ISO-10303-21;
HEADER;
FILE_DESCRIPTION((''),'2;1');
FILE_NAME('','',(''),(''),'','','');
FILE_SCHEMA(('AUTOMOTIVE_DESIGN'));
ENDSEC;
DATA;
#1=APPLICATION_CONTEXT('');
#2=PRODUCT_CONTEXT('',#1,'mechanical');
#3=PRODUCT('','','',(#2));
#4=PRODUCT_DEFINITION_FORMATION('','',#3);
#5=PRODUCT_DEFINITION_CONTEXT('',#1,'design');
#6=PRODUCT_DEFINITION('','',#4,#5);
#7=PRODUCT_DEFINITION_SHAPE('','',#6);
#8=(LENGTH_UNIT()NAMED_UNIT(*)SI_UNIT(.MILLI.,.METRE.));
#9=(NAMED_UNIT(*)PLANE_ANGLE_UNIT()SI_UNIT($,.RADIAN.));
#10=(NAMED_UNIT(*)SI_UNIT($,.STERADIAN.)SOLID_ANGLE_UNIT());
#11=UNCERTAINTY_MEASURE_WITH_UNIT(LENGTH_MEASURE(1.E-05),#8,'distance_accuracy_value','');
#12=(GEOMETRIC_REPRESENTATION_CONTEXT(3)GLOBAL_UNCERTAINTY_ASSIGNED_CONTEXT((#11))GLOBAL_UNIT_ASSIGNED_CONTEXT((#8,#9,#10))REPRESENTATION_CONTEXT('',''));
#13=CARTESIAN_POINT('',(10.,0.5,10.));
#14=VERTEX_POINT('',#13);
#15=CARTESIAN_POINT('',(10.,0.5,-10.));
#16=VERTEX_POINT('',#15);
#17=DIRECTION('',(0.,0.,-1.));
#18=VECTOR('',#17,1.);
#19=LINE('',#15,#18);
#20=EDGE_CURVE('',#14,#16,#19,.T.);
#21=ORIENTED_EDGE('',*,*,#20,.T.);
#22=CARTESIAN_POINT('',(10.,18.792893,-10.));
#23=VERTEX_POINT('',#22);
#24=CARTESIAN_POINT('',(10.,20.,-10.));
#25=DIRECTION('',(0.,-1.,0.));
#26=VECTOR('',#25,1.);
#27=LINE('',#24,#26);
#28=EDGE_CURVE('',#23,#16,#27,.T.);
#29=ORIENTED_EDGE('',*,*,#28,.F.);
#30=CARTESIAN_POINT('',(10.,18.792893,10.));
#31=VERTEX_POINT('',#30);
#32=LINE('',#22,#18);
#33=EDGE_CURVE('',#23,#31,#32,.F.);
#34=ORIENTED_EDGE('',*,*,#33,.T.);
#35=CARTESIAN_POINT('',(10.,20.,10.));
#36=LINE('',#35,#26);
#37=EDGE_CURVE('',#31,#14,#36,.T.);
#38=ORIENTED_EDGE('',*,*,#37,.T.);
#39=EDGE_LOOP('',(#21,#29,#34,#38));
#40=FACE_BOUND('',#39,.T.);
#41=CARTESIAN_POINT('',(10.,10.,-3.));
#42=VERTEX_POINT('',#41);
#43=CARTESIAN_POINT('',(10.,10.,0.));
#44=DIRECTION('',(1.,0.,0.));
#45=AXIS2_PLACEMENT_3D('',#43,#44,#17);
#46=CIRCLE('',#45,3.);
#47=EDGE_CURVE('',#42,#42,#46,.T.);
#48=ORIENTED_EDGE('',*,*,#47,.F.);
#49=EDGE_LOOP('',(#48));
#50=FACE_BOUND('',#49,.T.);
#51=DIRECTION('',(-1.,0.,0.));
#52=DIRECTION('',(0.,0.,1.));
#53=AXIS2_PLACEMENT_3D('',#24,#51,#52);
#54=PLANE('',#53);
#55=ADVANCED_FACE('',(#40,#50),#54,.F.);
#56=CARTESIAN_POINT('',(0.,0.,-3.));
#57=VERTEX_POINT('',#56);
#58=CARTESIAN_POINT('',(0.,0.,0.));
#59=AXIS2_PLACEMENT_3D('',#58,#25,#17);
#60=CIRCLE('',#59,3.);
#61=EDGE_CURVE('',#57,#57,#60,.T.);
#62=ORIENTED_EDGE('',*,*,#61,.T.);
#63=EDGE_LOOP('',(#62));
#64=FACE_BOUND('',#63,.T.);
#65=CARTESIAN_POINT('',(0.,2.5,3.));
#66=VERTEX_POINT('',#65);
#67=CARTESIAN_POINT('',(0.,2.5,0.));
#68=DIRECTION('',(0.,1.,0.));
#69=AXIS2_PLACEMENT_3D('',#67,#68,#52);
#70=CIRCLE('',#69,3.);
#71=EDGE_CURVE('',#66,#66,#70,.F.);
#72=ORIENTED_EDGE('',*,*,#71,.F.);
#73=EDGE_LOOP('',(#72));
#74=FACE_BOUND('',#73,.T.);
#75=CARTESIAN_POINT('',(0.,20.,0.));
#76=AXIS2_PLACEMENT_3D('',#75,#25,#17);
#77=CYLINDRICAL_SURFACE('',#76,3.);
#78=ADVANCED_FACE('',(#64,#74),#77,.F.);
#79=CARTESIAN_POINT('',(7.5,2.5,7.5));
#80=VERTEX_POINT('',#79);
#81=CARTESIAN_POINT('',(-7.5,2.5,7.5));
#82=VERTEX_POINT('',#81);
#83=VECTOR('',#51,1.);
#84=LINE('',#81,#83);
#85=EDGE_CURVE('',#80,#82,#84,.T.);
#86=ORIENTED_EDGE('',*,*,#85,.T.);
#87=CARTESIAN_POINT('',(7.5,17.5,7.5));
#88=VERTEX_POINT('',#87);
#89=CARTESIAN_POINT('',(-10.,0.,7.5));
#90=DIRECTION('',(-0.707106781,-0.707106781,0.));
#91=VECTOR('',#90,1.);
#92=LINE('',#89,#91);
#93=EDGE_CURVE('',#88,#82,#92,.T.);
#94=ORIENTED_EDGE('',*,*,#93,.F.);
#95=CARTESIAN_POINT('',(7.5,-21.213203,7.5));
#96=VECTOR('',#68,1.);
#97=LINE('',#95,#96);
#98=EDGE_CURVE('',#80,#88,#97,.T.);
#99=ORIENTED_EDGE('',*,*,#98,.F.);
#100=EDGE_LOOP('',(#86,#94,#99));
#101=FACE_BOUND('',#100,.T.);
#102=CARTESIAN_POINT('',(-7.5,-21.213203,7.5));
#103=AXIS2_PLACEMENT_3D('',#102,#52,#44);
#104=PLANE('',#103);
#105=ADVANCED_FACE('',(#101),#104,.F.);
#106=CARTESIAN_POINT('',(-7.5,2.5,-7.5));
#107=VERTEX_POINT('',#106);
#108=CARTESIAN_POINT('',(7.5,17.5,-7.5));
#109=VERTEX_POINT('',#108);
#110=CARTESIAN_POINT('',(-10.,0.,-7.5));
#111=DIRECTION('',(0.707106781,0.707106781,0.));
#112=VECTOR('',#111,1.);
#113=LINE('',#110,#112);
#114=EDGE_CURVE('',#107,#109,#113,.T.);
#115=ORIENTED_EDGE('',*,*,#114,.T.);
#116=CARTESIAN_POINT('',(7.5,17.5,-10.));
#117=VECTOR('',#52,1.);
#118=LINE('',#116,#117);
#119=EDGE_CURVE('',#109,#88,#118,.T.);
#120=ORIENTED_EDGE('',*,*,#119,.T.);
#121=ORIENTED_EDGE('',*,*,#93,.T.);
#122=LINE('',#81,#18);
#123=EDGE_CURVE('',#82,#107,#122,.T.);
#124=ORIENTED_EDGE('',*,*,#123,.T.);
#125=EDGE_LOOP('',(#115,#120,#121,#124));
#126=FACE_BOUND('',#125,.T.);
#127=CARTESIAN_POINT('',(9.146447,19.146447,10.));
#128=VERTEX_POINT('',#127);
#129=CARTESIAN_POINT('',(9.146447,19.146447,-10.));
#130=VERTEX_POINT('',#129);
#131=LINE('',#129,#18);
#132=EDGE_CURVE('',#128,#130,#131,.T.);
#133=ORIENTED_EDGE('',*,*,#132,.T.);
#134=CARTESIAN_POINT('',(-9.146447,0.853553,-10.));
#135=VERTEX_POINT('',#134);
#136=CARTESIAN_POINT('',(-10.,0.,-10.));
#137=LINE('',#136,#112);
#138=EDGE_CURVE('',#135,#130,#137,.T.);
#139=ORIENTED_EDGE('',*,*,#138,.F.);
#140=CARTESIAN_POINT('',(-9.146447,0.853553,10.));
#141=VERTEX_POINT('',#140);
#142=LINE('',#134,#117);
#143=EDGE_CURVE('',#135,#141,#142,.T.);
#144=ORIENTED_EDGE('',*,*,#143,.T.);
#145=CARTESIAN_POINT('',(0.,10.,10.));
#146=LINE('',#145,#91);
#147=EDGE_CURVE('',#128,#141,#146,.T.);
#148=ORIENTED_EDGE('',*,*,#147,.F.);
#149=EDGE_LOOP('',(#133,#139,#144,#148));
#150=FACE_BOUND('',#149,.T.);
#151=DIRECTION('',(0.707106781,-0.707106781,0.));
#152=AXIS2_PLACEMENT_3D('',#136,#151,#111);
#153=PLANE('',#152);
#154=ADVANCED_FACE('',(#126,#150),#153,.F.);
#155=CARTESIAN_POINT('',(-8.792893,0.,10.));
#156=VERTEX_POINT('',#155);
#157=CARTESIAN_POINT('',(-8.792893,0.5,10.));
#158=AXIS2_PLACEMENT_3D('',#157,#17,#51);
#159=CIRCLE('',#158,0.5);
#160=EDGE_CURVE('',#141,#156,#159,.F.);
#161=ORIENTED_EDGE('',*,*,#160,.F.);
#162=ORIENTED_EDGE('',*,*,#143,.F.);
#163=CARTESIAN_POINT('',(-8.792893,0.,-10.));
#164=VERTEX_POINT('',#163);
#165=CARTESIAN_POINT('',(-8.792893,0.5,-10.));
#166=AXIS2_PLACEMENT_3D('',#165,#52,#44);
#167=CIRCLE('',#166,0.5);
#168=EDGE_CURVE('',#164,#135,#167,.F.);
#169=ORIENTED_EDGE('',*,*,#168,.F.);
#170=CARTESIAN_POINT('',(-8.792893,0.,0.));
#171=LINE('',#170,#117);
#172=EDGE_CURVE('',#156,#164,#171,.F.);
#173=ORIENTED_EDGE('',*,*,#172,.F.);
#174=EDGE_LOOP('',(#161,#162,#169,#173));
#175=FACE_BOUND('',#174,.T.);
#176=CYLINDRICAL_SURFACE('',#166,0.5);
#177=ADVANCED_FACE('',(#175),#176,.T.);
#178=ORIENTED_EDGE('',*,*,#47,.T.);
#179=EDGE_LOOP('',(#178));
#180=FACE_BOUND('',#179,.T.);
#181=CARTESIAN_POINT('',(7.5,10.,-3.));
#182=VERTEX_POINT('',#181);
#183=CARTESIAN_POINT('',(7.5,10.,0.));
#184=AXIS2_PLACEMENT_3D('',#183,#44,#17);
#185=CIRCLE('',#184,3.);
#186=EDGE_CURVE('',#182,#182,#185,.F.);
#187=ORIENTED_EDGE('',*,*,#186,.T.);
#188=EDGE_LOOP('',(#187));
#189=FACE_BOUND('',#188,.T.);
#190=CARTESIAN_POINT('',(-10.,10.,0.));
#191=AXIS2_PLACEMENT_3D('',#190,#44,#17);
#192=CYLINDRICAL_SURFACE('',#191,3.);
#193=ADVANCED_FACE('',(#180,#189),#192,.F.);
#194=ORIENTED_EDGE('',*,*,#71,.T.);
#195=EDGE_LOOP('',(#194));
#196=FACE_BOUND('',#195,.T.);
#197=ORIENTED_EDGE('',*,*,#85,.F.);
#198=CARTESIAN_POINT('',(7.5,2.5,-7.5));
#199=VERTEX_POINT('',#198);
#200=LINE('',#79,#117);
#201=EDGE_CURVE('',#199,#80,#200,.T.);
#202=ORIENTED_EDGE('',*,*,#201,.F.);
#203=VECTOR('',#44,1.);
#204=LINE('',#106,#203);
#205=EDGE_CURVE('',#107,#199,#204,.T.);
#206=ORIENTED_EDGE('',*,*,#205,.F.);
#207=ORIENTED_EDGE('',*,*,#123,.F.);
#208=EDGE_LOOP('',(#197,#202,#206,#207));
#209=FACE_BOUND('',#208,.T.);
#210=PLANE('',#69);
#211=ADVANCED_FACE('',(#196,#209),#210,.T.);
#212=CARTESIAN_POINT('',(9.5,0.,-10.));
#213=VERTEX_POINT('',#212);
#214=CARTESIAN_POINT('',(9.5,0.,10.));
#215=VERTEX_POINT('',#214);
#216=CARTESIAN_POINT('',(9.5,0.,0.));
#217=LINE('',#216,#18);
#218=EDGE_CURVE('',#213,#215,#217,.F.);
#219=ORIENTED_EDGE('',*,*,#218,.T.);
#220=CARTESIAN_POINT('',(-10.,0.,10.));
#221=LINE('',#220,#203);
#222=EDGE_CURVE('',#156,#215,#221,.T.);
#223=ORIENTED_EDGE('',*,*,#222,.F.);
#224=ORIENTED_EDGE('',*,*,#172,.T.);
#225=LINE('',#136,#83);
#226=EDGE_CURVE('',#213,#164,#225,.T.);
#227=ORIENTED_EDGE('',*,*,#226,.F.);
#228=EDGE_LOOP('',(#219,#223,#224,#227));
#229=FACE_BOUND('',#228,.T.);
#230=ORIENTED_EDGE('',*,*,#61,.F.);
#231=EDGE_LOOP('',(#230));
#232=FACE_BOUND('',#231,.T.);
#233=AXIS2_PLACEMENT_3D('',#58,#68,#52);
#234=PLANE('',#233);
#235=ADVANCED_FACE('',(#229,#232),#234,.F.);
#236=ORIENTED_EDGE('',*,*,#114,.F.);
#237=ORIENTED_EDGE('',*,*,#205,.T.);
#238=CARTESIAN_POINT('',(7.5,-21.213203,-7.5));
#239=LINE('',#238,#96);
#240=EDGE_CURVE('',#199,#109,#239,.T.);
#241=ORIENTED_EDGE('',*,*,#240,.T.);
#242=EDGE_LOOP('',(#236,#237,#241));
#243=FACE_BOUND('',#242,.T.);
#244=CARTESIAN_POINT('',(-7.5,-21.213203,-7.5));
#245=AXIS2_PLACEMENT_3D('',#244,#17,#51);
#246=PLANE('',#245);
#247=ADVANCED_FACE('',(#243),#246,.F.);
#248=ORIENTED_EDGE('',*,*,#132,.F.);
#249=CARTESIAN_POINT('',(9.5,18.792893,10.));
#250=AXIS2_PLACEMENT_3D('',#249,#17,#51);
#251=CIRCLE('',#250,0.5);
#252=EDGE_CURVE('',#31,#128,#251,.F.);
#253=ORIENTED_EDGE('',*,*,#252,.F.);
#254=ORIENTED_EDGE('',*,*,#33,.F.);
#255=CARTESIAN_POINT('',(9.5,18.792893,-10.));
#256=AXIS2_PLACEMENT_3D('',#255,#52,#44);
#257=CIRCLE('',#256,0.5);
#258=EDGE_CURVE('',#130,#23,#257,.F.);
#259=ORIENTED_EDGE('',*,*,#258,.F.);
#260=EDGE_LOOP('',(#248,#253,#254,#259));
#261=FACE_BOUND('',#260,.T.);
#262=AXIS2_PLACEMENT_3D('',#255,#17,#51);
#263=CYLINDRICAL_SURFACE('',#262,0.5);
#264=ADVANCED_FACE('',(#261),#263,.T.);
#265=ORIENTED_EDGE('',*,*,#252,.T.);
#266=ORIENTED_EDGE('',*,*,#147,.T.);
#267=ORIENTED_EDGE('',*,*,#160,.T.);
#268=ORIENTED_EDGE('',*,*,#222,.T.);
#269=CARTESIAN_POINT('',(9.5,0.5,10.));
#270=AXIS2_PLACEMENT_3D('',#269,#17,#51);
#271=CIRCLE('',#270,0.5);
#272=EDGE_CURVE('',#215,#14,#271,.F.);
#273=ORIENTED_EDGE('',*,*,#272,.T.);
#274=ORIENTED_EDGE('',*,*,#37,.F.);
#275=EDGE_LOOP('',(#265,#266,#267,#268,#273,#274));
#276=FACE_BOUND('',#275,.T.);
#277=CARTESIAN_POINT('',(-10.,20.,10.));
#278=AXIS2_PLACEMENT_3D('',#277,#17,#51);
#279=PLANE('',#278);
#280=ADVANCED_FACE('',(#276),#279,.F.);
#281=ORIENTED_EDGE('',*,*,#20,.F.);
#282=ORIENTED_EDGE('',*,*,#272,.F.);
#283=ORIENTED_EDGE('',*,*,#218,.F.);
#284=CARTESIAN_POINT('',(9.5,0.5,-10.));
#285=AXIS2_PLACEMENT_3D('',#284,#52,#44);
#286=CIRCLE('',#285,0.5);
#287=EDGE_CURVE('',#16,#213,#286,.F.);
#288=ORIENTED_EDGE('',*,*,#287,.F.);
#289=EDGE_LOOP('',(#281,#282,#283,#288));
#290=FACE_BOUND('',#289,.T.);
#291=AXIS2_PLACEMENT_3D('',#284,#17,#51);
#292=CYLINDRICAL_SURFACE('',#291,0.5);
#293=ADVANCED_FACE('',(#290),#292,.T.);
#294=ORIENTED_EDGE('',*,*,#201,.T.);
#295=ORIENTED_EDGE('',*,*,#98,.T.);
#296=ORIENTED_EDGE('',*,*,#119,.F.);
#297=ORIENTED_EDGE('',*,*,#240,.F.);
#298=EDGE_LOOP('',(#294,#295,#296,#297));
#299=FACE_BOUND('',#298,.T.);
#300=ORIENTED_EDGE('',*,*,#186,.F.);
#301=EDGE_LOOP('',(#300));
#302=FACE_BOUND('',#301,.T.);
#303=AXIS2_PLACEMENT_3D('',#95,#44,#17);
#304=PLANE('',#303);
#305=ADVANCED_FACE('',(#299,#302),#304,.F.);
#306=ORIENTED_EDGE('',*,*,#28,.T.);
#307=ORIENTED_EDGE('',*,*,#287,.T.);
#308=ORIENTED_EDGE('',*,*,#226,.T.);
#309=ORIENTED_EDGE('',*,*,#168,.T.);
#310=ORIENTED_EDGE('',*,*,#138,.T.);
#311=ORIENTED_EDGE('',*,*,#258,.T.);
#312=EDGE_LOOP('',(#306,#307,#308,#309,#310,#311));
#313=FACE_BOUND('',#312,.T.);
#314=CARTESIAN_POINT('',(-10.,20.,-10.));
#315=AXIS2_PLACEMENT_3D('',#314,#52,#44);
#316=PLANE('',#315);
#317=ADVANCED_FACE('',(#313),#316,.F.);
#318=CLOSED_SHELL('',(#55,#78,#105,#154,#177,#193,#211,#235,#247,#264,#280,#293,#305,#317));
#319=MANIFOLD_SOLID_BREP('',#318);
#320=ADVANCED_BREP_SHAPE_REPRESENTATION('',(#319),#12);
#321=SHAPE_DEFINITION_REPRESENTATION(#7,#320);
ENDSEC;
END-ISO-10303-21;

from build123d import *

# Parameters (mm, degrees)
SKETCH1_W               = 20
SKETCH1_H               = 20
BOSS_EXTRUDE1_DEPTH     = 20
CUT_EXTRUDE1_DEPTH      = 1
CUT_EXTRUDE1_DEPTH_BACK = 21
SKETCH3_R               = 3
CUT_EXTRUDE2_DEPTH      = 21
SKETCH4_R               = 3
CUT_EXTRUDE3_DEPTH      = 21
SKETCH5_W               = 15
SKETCH5_H               = 15
CUT_EXTRUDE5_DEPTH      = 17.5
FILLET1_R               = 0.5


with BuildPart() as part:
    # Sketch1 → Boss-Extrude1 (new body)
    with BuildSketch(Plane(origin=(0, 0, 0), x_dir=(1, 0, 0), z_dir=(0, 1, 0))):
        Rectangle(SKETCH1_W, SKETCH1_H)
    extrude(amount=BOSS_EXTRUDE1_DEPTH)

    # Sketch2 → Cut-Extrude1 (cut, two sides)
    with BuildSketch(Plane.XY.offset(10)) as cut_extrude1_sk:
        Polygon((-10, 0), (10, 20), (-10, 20), align=None)
    extrude(amount=CUT_EXTRUDE1_DEPTH, mode=Mode.SUBTRACT)
    extrude(cut_extrude1_sk.sketch, amount=-CUT_EXTRUDE1_DEPTH_BACK, mode=Mode.SUBTRACT)

    # Sketch3 → Cut-Extrude2 (cut, through all)
    with BuildSketch(Plane(origin=(10, 0, 0), x_dir=(0, 0, -1), z_dir=(1, 0, 0))):
        with Locations((0, 10)):
            Circle(SKETCH3_R)
    extrude(amount=-CUT_EXTRUDE2_DEPTH, mode=Mode.SUBTRACT)

    # Sketch4 → Cut-Extrude3 (cut, through all)
    with BuildSketch(Plane.XZ):
        Circle(SKETCH4_R)
    extrude(amount=-CUT_EXTRUDE3_DEPTH, mode=Mode.SUBTRACT)

    # Sketch5 → Cut-Extrude5 (cut)
    with BuildSketch(Plane(origin=(0, 20, 0), x_dir=(1, 0, 0), z_dir=(0, 1, 0))):
        Rectangle(SKETCH5_W, SKETCH5_H)
    extrude(amount=-CUT_EXTRUDE5_DEPTH, mode=Mode.SUBTRACT)

    # Fillet1
    fillet1_edges = [part.edges().sort_by_distance(p)[0] for p in [
        (10, 20, 0),
        (-10, 0, 0),
        (10, 0, 0),
    ]]
    fillet(fillet1_edges, radius=FILLET1_R)


solid = part.part
